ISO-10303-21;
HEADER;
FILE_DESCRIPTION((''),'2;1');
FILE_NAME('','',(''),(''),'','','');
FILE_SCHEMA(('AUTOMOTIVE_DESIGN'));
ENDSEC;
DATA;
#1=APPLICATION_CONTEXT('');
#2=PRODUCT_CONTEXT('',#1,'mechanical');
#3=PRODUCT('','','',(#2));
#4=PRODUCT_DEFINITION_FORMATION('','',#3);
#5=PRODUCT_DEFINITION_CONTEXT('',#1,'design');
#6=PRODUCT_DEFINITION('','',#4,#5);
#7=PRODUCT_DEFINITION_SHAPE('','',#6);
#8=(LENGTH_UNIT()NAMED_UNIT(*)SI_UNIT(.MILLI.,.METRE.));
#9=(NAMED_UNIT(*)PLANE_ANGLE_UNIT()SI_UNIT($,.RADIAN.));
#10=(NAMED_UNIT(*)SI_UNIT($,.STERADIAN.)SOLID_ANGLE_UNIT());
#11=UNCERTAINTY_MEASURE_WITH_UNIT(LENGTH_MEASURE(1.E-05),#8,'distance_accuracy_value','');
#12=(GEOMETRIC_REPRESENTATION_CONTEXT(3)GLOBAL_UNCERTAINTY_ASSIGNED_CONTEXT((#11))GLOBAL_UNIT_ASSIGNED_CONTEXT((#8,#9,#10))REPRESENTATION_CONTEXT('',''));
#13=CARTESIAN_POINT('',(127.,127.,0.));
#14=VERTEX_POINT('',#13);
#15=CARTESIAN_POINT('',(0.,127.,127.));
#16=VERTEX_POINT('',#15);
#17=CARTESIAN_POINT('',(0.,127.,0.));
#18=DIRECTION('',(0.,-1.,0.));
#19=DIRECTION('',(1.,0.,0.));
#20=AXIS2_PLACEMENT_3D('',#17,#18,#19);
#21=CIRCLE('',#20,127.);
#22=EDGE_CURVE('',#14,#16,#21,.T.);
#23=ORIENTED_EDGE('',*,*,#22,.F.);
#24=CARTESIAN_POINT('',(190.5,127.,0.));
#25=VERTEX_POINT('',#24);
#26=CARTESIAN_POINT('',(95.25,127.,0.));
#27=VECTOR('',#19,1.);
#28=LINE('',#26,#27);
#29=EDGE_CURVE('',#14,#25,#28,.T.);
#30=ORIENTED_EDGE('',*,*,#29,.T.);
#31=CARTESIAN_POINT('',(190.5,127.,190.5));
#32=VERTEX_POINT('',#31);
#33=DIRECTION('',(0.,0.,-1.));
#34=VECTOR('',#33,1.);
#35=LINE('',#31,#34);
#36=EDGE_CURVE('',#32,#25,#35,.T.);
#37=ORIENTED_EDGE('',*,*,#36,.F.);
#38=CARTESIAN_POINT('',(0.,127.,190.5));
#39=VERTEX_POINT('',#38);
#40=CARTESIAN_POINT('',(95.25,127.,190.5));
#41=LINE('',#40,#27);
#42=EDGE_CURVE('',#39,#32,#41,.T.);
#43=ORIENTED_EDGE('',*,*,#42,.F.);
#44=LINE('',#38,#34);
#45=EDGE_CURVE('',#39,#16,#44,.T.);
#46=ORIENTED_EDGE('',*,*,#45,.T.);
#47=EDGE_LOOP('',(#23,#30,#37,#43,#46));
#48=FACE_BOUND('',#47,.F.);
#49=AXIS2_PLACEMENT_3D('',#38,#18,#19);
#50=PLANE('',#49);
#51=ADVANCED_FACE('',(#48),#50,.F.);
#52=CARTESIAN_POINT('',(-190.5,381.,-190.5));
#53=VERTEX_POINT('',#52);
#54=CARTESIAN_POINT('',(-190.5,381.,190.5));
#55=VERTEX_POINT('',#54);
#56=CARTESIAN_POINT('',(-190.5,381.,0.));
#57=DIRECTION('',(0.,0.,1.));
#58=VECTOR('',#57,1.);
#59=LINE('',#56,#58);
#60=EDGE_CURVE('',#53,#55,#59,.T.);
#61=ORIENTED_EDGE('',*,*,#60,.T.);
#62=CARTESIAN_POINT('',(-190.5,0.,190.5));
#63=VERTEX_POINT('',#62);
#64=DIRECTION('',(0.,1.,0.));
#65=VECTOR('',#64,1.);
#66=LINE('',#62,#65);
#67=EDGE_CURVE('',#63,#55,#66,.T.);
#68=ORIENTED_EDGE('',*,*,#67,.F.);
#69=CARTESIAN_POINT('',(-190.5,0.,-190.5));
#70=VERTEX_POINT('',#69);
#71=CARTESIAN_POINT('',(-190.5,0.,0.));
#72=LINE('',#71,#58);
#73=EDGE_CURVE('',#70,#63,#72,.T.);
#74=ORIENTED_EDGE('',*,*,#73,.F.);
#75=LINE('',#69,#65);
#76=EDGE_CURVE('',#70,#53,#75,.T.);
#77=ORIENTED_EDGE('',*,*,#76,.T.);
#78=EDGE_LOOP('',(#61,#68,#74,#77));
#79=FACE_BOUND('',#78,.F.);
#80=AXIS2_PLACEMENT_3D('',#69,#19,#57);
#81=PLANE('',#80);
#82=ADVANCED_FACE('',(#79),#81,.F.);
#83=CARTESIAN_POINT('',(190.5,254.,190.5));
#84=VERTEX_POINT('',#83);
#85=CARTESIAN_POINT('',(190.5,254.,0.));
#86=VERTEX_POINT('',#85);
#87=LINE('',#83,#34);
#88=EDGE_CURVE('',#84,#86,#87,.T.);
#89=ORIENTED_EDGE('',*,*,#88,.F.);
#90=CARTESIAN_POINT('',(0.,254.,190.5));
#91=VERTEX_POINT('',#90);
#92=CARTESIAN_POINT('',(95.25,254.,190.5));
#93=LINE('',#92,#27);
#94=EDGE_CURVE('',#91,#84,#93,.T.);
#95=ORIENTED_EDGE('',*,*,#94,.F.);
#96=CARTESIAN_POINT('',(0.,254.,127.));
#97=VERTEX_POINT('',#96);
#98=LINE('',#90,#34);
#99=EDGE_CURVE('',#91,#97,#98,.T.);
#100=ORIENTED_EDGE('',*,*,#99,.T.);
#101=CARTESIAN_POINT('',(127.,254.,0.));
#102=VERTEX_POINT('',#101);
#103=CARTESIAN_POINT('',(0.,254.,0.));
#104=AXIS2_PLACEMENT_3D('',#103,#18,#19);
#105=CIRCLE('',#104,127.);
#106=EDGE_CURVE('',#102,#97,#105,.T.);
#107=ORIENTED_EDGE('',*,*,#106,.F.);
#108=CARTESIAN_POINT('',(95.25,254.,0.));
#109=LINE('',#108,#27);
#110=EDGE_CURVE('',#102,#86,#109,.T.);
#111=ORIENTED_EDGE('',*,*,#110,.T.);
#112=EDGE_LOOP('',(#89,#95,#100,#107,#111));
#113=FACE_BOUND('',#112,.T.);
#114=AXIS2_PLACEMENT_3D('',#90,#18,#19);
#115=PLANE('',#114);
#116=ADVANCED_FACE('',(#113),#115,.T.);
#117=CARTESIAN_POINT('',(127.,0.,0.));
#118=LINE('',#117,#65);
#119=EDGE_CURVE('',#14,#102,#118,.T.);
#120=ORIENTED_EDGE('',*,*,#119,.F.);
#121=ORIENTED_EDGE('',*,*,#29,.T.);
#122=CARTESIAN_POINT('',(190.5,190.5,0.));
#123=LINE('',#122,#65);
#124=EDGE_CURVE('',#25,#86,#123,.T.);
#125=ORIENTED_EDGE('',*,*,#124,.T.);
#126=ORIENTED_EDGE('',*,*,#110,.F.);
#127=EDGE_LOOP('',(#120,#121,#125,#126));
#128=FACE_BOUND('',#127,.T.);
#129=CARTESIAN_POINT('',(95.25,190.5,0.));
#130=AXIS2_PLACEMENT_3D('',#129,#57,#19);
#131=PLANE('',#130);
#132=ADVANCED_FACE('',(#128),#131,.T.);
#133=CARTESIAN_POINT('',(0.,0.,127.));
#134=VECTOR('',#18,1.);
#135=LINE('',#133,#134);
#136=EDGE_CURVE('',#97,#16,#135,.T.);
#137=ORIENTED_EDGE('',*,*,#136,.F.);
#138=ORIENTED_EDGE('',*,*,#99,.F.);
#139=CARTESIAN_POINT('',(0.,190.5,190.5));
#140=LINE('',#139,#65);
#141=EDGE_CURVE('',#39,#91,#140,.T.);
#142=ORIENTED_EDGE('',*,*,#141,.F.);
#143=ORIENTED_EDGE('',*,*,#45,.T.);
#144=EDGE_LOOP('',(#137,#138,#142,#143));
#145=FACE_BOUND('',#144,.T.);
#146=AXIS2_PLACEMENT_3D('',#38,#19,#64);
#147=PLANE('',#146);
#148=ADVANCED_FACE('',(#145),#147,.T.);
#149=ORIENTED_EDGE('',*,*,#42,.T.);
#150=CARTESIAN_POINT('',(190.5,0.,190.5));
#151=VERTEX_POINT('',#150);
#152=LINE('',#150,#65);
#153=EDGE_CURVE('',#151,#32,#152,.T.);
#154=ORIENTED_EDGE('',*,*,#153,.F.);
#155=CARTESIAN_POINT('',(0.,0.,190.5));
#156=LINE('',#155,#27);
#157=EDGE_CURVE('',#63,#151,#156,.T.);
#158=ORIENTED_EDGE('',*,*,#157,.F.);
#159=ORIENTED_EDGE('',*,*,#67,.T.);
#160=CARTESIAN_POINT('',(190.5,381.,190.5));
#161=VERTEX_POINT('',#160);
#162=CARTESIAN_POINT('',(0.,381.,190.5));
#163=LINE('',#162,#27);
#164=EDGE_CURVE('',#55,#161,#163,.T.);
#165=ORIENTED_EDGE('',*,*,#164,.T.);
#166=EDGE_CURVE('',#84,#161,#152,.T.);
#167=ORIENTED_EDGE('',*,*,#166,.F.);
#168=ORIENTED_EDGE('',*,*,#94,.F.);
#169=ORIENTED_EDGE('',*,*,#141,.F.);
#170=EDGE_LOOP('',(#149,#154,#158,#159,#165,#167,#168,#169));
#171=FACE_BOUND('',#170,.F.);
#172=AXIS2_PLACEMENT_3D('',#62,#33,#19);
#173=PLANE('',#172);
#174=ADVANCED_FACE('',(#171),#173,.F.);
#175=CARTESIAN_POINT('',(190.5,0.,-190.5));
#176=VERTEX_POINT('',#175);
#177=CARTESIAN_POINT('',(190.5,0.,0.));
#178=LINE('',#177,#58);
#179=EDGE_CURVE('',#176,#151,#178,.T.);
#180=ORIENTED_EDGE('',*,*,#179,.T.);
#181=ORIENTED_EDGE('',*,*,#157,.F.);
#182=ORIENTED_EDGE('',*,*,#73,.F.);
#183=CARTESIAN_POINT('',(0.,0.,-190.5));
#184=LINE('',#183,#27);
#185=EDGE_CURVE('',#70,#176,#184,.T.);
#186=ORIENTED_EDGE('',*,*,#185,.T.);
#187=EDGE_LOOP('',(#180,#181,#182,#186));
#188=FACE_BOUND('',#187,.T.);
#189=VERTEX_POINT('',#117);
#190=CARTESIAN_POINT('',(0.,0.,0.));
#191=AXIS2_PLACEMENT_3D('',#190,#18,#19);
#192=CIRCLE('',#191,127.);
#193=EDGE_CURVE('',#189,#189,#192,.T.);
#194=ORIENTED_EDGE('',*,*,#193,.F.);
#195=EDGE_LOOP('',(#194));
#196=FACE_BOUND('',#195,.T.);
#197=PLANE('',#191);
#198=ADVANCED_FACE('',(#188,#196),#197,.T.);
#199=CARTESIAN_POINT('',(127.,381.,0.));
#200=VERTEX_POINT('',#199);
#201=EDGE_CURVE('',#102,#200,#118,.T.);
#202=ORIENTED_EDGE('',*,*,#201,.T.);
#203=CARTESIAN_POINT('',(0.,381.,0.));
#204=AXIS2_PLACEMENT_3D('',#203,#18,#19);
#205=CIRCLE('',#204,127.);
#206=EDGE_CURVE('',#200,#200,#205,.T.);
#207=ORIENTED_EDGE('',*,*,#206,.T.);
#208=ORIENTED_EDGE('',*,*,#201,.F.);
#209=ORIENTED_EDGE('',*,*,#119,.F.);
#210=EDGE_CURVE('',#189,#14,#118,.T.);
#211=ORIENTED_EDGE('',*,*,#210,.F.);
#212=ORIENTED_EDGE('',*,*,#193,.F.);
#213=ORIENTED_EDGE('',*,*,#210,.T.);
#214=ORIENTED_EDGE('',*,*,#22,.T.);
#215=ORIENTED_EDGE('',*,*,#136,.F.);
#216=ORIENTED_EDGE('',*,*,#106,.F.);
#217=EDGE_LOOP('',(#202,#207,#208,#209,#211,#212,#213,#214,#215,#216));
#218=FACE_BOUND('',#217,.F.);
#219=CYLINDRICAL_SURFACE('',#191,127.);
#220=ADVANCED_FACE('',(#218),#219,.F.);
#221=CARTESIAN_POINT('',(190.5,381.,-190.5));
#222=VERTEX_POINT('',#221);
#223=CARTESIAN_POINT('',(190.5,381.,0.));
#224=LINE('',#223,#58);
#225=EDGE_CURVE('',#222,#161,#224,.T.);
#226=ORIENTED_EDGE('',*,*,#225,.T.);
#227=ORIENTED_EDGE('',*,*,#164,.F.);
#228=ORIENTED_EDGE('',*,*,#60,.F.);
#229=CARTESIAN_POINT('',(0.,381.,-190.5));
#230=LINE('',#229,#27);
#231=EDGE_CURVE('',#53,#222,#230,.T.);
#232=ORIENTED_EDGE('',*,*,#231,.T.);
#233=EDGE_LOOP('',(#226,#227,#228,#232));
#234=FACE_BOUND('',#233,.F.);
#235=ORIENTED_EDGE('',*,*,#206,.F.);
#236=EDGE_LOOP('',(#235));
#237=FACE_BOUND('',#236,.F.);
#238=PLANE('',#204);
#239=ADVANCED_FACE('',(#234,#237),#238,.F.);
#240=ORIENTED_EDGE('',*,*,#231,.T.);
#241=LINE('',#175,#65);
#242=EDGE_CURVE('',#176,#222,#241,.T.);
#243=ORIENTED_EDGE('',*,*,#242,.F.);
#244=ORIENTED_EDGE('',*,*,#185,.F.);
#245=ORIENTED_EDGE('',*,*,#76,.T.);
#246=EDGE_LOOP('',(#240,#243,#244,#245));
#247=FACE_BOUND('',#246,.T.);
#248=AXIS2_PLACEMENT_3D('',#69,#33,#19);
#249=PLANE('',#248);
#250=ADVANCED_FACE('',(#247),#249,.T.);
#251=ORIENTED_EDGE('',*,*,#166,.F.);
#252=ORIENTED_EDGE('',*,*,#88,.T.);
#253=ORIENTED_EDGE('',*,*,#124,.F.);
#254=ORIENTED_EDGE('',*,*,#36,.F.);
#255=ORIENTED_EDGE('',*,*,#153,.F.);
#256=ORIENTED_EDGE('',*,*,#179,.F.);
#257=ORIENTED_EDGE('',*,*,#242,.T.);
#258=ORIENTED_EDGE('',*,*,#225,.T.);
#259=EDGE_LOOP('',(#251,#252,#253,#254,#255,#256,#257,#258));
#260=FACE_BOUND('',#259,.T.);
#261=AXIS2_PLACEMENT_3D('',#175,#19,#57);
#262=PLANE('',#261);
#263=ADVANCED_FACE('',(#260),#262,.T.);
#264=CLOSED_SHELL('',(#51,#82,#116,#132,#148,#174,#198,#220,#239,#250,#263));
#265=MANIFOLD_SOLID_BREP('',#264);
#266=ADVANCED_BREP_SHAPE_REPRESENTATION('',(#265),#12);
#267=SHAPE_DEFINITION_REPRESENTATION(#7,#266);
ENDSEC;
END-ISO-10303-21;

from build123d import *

# Parameters (mm, degrees)
F1_W     = 381
F1_H     = 381
F1_R     = 127
F2_DEPTH = 381
F3_W     = 190.5
F3_H     = 127
F4_DEPTH = 190.5


with BuildPart() as f2:
    # F1 (on face) → F2 (new body)
    with BuildSketch(Plane.XZ):
        Rectangle(F1_W, F1_H)
        Circle(F1_R, mode=Mode.SUBTRACT)
    extrude(amount=-F2_DEPTH)

    # F3 (on face) → F4 (cut)
    with BuildSketch(Plane.XY.offset(190.5)):
        with Locations((95.25, 190.5)):
            Rectangle(F3_W, F3_H)
    extrude(amount=-F4_DEPTH, mode=Mode.SUBTRACT)


solid = f2.part
